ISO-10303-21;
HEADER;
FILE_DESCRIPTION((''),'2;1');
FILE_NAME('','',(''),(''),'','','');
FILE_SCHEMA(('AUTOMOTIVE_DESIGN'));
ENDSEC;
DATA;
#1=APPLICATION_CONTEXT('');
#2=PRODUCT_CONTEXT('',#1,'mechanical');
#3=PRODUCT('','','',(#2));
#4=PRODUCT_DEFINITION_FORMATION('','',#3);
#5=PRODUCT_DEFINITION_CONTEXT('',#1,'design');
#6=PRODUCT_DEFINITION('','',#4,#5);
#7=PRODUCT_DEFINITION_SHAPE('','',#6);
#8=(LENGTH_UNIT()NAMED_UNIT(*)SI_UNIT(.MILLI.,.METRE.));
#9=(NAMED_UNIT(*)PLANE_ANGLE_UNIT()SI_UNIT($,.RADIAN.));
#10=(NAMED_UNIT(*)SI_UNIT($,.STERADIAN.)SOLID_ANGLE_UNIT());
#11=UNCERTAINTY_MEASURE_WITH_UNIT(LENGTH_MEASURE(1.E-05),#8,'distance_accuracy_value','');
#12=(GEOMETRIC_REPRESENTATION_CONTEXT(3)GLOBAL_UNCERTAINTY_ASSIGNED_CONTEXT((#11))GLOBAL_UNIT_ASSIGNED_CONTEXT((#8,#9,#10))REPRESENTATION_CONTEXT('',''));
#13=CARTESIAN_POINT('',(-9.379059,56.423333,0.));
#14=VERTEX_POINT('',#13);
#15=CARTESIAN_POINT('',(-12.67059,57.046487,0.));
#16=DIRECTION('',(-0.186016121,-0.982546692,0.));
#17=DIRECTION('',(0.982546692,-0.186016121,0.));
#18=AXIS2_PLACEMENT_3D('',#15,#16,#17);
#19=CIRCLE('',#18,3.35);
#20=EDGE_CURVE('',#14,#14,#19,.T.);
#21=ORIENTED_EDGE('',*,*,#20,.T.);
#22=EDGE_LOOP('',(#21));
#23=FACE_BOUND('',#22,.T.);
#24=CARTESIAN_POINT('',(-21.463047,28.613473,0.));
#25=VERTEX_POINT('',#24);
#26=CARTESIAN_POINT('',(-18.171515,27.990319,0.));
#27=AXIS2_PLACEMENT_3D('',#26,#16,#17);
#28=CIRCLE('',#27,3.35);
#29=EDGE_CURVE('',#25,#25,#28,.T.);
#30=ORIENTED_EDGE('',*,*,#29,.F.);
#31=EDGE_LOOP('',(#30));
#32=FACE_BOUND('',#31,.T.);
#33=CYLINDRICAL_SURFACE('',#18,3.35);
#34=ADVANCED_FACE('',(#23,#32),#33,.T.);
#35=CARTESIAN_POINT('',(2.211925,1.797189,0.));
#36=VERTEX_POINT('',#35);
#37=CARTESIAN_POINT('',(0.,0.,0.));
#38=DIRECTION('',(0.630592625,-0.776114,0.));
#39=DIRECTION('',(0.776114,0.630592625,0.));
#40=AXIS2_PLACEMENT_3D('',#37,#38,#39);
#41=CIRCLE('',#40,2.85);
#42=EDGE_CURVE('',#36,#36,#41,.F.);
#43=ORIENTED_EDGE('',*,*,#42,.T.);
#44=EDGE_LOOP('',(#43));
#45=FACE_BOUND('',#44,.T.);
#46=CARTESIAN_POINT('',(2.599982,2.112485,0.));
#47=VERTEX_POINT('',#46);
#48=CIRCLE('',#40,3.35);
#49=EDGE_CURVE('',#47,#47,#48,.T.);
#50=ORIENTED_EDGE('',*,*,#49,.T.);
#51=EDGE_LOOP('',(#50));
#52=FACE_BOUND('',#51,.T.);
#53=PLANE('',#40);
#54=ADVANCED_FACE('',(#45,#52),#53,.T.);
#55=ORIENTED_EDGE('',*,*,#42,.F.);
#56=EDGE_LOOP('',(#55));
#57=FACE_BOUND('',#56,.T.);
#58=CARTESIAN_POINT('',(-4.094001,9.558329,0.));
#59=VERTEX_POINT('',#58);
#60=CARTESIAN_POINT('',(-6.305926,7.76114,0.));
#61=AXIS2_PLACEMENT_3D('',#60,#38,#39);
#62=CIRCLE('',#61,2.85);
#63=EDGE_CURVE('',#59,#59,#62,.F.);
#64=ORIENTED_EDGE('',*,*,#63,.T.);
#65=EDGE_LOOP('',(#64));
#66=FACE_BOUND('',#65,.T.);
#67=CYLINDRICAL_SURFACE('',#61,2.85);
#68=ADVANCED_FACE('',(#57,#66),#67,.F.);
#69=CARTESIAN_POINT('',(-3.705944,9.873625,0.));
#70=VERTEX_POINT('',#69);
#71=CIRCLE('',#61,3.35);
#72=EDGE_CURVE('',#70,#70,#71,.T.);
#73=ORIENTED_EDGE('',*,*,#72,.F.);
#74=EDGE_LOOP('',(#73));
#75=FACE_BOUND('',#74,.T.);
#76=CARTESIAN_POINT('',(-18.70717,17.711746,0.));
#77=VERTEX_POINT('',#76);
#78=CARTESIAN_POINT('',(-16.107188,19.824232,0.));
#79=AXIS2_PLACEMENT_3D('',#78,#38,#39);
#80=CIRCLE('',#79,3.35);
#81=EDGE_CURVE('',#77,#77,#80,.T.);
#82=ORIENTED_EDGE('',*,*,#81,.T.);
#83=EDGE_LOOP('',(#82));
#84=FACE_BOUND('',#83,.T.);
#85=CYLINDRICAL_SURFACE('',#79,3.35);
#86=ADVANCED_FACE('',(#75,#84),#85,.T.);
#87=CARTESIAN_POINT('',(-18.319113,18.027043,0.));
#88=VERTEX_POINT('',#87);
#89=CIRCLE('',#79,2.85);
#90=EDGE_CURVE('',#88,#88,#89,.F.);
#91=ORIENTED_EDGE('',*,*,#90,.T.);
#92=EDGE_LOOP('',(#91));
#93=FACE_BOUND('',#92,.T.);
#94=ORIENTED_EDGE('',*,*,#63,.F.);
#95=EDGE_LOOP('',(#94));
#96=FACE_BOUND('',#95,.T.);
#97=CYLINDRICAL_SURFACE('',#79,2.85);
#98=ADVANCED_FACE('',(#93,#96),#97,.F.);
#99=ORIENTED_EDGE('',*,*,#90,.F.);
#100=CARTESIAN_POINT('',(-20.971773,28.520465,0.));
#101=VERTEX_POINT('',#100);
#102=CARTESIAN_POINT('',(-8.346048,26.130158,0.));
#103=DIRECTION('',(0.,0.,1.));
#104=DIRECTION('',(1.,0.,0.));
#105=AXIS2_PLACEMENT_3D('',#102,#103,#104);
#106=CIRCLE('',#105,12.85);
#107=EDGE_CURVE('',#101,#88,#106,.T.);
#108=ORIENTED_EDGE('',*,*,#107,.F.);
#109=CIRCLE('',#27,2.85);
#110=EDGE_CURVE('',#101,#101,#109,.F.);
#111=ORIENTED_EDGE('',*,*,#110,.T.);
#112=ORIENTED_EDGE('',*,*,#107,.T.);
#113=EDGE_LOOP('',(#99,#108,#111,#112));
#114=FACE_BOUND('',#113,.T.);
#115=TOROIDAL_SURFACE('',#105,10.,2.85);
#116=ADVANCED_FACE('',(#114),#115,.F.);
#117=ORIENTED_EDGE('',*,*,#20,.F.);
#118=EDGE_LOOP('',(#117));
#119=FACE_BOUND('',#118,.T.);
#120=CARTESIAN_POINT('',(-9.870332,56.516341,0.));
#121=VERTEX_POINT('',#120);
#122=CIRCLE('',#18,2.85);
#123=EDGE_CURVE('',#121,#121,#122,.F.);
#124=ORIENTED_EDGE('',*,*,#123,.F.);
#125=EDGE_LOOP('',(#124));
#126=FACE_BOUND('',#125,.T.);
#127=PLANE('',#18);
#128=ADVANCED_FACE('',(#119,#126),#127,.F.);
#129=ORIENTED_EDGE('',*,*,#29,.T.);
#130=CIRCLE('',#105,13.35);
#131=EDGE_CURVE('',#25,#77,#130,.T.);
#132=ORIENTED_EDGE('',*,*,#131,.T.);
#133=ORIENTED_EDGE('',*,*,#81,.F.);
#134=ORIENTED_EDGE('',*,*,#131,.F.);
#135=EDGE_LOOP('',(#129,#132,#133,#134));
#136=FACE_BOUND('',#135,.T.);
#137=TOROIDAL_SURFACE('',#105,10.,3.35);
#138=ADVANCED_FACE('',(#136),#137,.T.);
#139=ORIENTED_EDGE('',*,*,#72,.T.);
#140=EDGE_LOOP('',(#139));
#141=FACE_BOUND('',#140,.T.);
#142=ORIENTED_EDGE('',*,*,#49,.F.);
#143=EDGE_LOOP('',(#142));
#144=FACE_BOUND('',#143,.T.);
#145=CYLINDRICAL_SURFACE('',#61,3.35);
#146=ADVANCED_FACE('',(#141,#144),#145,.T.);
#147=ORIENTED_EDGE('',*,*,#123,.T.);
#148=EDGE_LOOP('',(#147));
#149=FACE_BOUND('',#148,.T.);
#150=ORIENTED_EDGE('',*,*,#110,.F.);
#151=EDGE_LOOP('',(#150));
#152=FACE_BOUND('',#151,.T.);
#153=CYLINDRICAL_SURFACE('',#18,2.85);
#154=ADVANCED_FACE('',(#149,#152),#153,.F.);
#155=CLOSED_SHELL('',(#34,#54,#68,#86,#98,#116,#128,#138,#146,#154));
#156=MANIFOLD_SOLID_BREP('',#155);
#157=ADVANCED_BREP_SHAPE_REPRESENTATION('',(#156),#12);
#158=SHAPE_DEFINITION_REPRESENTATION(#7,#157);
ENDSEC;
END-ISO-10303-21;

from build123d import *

# Parameters (mm, degrees)
SKETCH_2_R   = 3.35
SKETCH_2_R_2 = 2.85


with BuildPart() as part:
    # По траектории1: sweep along a path in Эскиз1
    with BuildLine(Plane.XY) as sweep_1_path:
        Line((-12.67059026, 57.046486939), (-18.171515217, 27.990319213))
        ThreePointArc((-18.171515217, 27.990319213), (-18.041069279, 23.679327915), (-16.107188295, 19.824231748))
        Line((-16.107188295, 19.824231748), (-6.305926251, 7.761140001))
        Line((-6.305926251, 7.761140001), (0, 0))
    # Эскиз2 → По траектории1 (sweep)
    with BuildSketch(Plane(origin=(0, 0, 0), x_dir=(-0.7761140001162656, -0.6305926250944656, 0), z_dir=(0.6305926250944656, -0.7761140001162656, 0))):
        Circle(SKETCH_2_R)
        Circle(SKETCH_2_R_2, mode=Mode.SUBTRACT)
    sweep(path=sweep_1_path.line)


solid = part.part
